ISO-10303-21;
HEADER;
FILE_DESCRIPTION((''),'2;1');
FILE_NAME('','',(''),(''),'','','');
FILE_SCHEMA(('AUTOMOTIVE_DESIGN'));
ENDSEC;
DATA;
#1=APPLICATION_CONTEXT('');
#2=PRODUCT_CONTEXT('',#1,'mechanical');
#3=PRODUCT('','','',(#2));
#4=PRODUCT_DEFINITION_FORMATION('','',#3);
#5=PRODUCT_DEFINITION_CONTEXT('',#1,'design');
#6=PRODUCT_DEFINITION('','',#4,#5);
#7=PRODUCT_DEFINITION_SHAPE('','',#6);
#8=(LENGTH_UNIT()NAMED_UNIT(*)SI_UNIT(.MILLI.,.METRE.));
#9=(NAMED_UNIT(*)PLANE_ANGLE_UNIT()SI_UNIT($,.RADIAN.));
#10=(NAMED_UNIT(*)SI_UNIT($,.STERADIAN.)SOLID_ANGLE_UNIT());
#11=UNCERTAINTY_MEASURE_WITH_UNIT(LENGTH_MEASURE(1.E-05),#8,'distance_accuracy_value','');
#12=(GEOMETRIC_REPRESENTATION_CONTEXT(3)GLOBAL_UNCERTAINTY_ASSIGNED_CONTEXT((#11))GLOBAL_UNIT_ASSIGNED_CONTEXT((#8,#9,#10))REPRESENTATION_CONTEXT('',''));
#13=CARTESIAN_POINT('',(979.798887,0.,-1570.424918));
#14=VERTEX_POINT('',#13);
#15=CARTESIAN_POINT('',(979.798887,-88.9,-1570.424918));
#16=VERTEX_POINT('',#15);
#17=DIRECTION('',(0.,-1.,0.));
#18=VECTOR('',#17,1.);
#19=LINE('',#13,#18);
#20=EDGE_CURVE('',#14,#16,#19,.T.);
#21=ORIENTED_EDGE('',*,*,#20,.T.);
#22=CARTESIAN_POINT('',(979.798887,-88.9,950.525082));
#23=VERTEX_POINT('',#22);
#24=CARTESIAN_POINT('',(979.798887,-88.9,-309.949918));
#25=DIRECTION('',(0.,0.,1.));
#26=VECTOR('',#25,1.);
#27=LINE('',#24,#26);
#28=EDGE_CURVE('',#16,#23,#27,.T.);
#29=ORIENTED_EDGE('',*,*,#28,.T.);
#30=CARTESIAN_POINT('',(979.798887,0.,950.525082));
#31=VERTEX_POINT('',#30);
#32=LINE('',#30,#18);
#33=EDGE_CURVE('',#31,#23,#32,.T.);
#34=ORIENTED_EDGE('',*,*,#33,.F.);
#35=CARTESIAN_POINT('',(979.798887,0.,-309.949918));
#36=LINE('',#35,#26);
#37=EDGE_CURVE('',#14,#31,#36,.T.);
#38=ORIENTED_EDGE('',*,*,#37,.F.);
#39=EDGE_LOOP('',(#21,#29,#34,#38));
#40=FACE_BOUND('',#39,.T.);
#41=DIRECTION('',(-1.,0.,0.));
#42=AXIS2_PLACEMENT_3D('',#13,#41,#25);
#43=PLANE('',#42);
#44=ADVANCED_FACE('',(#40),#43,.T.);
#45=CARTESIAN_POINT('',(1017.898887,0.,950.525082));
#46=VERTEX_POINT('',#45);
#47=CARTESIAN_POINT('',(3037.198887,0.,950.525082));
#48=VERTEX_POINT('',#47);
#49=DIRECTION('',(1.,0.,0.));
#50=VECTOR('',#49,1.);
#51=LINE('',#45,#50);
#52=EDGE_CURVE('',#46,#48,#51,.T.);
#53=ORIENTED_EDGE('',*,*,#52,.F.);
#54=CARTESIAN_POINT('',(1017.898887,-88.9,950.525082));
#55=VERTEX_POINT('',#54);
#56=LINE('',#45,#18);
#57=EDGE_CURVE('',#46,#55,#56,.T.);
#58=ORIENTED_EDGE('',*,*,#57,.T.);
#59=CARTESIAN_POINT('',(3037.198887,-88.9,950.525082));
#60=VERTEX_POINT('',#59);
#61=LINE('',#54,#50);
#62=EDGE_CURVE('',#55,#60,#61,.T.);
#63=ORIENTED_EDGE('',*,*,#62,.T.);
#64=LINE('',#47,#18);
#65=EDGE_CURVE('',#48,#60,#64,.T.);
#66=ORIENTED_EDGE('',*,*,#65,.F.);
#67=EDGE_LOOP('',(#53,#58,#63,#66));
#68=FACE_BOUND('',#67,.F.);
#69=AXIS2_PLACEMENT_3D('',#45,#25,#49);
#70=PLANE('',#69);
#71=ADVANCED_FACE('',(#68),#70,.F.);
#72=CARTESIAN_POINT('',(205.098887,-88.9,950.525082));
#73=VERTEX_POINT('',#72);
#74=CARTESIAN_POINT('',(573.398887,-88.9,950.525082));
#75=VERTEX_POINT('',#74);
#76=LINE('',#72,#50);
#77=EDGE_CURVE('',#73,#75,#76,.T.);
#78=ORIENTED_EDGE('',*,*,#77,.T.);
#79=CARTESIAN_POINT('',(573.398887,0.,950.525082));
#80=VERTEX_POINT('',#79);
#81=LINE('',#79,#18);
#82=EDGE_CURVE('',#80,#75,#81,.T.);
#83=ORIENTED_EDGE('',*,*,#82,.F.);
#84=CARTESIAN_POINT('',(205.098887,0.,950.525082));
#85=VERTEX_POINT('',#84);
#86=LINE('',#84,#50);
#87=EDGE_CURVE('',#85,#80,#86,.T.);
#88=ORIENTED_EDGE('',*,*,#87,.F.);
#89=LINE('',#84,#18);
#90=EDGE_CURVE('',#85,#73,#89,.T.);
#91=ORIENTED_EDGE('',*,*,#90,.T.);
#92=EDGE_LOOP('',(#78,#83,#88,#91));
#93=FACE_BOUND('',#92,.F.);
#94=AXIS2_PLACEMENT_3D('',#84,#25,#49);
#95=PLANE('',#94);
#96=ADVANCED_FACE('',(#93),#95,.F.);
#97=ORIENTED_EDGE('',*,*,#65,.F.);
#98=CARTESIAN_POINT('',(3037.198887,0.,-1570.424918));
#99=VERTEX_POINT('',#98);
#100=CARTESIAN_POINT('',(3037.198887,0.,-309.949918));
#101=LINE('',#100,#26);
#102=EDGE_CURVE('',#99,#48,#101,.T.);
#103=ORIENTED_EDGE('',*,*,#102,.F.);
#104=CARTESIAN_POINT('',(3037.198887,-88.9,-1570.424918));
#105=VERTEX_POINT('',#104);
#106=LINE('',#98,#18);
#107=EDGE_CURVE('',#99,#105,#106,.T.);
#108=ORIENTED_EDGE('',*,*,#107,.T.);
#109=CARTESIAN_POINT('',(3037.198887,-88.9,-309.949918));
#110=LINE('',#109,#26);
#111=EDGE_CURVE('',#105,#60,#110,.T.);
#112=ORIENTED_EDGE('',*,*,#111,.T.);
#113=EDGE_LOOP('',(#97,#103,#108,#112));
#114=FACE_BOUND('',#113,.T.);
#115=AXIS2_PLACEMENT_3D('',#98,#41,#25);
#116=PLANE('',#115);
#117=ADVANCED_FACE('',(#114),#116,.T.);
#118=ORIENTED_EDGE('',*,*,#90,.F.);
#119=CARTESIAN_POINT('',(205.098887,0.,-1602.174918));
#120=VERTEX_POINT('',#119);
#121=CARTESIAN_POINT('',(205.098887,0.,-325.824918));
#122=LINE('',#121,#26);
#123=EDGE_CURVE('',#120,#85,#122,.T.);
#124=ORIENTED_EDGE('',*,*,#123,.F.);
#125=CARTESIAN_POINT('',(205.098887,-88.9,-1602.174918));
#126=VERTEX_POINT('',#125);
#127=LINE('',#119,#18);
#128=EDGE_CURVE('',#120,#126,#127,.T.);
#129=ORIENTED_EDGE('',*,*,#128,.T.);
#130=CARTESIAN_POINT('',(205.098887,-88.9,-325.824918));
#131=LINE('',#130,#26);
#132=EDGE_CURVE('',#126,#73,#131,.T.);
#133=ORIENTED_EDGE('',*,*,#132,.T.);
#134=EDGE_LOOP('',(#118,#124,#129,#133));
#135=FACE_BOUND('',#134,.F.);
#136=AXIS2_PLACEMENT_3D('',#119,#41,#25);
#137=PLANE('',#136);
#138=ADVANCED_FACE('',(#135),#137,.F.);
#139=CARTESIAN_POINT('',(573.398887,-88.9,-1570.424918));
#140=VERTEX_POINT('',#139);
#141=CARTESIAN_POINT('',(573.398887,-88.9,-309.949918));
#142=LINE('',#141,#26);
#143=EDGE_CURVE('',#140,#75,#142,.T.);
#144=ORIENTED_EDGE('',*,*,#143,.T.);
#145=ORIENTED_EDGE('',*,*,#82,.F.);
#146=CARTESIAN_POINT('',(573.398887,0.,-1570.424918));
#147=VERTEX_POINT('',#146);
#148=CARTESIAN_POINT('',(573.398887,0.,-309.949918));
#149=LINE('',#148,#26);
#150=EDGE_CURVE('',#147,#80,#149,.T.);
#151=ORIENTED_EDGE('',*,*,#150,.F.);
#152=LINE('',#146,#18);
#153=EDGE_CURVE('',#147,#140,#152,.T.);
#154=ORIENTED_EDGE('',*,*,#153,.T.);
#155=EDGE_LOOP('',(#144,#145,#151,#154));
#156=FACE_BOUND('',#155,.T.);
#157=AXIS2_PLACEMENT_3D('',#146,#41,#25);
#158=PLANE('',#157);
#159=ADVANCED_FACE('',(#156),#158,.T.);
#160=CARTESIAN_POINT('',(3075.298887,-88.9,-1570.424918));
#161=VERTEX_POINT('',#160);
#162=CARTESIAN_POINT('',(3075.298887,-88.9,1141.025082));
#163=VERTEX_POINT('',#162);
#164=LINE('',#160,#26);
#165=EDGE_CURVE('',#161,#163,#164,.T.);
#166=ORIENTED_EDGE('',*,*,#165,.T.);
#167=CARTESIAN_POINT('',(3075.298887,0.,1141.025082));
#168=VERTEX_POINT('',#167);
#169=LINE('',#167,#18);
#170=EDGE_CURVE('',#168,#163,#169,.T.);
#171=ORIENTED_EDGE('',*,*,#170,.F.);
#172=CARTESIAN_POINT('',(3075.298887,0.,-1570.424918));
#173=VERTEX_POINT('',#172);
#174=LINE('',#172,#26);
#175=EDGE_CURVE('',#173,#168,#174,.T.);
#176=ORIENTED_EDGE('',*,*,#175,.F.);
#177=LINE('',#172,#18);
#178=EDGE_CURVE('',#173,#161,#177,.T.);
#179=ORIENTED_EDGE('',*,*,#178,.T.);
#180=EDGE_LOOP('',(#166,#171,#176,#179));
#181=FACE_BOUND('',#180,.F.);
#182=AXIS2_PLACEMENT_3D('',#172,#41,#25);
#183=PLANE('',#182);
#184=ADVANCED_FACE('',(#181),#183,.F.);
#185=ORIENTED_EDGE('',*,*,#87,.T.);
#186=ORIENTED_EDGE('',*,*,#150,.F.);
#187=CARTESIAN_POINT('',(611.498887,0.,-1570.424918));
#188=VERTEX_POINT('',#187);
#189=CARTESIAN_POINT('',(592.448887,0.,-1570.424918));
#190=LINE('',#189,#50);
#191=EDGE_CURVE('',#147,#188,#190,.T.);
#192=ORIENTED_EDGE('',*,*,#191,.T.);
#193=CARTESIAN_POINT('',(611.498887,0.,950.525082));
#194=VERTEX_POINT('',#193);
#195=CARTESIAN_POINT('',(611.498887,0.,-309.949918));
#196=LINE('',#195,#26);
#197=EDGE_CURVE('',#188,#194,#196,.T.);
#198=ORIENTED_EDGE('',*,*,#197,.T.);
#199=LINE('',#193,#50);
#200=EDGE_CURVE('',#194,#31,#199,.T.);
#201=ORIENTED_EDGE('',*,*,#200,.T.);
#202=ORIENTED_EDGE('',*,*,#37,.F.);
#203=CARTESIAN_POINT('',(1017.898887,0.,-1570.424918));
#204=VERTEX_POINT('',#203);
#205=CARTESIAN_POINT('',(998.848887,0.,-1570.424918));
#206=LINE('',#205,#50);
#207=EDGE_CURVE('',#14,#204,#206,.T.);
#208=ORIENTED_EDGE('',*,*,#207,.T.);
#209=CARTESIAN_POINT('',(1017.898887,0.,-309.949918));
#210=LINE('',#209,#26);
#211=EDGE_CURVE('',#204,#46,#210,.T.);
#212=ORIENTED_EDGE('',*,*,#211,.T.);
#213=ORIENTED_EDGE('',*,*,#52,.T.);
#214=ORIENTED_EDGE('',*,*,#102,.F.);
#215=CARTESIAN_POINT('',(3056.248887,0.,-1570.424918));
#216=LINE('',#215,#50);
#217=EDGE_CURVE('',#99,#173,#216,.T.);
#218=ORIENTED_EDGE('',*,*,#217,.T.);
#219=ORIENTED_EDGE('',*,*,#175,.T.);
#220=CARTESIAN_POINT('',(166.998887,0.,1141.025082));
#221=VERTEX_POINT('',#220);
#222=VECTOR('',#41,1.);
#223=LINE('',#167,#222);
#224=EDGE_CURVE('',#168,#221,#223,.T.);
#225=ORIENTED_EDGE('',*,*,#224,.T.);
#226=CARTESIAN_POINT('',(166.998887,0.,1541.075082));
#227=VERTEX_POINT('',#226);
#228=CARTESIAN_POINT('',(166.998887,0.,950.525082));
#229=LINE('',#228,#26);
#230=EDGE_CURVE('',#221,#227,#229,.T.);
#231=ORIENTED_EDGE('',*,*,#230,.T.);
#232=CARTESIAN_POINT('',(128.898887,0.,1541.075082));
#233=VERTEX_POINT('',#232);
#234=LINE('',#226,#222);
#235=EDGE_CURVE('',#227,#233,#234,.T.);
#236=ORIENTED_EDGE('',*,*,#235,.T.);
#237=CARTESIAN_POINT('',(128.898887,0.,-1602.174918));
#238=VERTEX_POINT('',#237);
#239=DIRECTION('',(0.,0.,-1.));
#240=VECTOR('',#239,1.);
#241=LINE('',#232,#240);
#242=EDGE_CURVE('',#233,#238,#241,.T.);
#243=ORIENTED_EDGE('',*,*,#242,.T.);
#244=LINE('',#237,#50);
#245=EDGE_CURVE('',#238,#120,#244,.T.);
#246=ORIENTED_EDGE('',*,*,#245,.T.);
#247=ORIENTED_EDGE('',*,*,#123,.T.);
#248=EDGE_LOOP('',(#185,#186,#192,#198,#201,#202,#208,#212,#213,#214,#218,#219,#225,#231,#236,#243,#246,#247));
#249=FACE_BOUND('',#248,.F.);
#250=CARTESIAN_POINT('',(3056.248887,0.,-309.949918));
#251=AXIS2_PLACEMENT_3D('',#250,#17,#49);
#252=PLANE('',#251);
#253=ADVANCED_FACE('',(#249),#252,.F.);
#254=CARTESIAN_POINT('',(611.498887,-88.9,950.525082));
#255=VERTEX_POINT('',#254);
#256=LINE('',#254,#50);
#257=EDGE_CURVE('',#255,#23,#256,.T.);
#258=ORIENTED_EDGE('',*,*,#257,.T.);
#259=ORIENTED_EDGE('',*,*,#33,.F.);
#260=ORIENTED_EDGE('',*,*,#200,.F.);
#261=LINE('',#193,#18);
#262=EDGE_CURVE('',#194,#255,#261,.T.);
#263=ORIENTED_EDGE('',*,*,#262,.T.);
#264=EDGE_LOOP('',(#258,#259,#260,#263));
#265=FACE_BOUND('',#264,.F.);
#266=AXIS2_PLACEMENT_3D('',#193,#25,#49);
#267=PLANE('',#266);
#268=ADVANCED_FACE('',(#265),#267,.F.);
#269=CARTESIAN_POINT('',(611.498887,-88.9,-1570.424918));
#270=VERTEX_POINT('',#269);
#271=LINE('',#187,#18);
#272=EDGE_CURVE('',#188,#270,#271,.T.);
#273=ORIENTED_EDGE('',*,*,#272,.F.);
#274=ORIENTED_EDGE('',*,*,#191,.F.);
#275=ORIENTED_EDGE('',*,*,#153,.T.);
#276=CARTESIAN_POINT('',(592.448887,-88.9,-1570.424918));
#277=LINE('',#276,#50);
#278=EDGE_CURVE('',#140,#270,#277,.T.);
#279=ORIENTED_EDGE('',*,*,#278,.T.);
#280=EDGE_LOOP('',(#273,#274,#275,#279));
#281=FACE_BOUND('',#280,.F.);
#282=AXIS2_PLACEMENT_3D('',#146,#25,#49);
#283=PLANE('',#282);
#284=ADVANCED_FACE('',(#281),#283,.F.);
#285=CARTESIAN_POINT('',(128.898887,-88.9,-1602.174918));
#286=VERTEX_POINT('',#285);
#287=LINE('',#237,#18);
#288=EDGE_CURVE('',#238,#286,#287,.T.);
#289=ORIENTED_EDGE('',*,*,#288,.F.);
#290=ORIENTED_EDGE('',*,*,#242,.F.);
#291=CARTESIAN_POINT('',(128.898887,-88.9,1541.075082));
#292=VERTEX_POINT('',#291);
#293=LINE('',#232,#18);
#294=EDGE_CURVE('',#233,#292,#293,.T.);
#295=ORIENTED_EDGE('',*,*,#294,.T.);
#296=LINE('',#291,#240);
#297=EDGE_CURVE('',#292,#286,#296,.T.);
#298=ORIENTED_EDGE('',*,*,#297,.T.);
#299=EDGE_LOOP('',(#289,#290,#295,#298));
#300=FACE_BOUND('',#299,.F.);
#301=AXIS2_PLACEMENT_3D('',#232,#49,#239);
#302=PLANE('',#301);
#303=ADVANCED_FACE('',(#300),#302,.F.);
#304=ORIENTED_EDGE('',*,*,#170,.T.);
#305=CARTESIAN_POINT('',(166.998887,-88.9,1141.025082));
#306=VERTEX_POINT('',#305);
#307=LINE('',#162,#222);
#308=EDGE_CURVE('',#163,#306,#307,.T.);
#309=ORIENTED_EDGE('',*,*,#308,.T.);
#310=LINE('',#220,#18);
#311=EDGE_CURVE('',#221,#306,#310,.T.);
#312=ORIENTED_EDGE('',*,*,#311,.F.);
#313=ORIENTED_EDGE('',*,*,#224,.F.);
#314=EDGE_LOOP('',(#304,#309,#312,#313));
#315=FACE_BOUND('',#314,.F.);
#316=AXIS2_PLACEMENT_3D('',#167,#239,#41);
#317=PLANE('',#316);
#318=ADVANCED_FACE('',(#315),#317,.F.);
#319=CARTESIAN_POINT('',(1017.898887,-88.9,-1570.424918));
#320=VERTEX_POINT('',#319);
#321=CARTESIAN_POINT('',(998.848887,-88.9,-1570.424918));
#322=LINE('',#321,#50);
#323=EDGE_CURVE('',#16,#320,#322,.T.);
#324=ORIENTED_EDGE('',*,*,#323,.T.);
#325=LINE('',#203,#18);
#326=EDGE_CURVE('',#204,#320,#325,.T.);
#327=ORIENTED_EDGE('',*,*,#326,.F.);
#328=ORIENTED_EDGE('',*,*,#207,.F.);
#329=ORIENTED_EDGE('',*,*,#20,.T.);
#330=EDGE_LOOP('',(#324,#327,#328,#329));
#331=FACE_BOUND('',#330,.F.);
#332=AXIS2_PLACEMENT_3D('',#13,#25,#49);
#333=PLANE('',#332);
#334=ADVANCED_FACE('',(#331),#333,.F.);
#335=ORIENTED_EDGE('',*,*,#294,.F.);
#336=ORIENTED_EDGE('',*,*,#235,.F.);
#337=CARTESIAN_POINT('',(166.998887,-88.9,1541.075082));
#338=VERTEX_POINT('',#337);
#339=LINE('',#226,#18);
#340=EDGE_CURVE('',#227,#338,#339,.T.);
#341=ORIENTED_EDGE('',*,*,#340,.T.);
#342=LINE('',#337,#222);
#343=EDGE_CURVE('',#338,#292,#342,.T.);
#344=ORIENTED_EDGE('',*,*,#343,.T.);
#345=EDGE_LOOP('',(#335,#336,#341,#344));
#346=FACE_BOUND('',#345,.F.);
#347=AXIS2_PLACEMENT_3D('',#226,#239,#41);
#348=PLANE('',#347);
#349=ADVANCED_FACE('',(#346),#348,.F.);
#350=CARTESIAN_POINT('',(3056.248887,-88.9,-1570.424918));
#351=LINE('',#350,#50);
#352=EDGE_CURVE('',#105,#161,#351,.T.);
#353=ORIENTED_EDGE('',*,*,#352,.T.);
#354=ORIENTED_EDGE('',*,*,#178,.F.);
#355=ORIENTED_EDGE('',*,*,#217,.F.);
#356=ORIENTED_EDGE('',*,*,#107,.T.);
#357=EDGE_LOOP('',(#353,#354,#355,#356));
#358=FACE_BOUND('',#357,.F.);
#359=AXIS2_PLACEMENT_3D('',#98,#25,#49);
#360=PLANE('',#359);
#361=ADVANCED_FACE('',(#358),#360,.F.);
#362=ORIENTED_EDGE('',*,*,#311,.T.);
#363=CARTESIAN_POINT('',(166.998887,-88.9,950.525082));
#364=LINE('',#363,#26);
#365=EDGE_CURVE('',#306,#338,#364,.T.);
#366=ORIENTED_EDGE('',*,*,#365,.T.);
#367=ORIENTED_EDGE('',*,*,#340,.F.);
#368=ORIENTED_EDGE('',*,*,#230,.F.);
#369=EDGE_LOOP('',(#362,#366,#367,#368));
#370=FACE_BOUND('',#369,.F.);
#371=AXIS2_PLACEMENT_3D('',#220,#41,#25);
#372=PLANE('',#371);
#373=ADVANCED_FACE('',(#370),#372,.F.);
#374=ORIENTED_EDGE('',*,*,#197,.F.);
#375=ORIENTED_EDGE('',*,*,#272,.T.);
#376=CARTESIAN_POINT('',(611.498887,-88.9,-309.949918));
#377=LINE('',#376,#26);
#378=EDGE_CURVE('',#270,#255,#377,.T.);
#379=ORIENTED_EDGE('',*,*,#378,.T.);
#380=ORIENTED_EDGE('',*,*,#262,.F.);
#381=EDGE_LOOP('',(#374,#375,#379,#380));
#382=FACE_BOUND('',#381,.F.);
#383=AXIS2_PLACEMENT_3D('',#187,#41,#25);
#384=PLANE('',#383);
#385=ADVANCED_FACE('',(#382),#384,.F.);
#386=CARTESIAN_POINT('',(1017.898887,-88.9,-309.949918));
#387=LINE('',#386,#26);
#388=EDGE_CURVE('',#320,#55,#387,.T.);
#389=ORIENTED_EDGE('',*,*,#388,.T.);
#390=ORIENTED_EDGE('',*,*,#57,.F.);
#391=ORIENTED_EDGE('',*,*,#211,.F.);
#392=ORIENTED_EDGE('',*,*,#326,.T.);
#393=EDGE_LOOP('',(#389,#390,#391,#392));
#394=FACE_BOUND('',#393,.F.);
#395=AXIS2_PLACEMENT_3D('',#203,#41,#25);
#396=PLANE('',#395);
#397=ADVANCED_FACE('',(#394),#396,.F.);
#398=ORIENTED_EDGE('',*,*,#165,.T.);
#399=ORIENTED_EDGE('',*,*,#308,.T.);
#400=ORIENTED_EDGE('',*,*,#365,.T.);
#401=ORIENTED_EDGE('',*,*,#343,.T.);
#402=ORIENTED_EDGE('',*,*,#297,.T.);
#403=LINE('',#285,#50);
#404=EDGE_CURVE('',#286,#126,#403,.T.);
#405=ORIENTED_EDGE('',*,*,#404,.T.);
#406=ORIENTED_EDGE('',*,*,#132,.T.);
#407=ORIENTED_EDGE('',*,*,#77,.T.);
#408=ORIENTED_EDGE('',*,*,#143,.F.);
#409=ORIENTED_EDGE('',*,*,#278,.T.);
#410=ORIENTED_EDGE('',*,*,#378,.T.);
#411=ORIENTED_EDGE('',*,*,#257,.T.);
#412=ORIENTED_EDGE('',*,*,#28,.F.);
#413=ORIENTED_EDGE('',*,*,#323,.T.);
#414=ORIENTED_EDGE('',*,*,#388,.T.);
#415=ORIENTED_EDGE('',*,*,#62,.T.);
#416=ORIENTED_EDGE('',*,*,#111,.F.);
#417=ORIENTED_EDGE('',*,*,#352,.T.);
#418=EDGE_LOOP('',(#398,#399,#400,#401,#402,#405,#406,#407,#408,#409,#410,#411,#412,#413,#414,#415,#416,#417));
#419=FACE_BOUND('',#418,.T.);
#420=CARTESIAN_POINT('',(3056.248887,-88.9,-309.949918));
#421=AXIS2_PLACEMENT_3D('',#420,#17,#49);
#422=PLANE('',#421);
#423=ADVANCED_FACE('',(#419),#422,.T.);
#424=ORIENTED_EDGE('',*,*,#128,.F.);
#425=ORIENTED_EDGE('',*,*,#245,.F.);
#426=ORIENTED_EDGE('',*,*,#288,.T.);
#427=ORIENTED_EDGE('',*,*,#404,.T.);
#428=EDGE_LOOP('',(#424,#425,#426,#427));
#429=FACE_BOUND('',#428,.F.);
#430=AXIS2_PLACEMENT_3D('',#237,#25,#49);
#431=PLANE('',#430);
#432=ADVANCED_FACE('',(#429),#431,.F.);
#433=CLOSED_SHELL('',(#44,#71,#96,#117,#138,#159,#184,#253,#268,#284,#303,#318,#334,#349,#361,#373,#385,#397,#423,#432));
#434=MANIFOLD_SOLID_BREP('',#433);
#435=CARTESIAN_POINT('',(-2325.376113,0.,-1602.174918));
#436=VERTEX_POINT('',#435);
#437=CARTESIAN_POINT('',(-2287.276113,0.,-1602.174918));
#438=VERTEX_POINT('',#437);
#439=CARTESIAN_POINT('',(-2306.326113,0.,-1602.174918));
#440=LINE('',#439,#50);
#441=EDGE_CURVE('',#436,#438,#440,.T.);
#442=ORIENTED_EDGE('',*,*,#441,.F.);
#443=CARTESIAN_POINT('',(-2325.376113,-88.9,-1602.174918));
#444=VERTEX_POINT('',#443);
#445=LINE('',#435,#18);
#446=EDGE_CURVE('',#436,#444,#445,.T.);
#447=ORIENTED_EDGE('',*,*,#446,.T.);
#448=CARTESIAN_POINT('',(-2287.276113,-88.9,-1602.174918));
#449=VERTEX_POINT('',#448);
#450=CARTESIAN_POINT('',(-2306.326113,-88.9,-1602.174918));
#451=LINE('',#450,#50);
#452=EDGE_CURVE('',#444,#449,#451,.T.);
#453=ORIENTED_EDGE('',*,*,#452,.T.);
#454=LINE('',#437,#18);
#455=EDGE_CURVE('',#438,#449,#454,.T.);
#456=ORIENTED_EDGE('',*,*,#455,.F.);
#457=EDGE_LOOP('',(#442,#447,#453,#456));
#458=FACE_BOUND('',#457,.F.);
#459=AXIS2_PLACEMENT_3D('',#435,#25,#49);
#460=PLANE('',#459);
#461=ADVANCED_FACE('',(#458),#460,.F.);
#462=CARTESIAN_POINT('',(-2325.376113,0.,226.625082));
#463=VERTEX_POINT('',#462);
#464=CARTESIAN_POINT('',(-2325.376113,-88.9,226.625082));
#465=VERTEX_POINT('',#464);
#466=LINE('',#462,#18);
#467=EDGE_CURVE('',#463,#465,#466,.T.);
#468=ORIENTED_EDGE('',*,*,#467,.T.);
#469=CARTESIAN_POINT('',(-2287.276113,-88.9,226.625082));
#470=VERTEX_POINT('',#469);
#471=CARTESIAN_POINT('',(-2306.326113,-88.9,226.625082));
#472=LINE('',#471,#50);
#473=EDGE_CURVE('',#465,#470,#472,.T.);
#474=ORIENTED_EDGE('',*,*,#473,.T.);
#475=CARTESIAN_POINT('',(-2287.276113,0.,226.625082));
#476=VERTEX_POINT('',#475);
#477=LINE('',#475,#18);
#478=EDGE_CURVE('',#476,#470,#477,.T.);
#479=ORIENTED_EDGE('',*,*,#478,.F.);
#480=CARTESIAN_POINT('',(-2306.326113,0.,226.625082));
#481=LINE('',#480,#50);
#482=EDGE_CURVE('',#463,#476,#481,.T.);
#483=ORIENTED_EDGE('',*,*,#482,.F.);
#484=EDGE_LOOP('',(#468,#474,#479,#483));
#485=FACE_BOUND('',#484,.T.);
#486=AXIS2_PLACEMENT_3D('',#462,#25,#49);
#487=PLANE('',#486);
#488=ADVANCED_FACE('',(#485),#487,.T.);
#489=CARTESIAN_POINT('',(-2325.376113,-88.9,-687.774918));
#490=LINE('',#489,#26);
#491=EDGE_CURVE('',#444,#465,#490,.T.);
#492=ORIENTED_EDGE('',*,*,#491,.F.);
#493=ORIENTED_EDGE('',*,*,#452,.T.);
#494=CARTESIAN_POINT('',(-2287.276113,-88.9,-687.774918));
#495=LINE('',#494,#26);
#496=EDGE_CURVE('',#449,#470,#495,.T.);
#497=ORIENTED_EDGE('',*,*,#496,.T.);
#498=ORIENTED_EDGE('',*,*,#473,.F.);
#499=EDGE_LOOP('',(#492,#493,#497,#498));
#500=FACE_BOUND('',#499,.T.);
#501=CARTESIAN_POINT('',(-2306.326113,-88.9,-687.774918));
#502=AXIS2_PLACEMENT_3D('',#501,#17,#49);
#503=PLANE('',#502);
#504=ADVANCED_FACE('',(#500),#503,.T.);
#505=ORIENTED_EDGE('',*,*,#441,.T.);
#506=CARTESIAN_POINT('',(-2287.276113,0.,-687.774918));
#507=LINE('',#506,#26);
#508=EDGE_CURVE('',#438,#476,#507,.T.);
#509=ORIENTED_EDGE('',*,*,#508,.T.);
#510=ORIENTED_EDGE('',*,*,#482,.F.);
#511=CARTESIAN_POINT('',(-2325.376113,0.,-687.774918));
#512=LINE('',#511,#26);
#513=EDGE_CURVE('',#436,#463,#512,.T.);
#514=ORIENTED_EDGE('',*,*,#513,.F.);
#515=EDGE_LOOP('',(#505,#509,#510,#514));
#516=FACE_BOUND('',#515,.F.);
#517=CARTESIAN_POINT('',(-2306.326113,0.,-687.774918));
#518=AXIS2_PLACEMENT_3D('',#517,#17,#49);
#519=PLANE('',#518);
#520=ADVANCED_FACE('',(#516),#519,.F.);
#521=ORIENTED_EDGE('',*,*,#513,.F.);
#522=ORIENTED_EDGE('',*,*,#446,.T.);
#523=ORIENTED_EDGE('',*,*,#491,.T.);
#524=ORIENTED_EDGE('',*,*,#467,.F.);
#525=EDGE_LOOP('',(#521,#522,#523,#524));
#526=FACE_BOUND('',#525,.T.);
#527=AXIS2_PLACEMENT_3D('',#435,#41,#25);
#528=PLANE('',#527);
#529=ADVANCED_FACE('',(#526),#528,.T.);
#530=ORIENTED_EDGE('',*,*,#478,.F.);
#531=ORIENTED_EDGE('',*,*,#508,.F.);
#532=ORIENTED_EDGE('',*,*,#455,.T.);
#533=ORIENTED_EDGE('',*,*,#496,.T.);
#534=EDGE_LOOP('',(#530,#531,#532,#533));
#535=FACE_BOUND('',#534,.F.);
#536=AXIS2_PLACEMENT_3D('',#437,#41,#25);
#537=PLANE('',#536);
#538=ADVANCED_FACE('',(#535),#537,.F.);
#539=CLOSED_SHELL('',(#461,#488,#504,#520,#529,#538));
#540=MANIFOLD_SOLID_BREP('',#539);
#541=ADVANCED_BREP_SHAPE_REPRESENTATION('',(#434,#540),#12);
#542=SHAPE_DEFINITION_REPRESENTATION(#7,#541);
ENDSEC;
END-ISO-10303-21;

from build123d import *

# Parameters (mm, degrees)
F0_W     = 38.1
F0_H     = 1828.8
F0_H_2   = 2520.95
F0_H_3   = 2552.7
F1_DEPTH = 88.9


with BuildPart() as f1:
    # F0 (on Front) → F1 (new body)
    with BuildSketch(Plane.XZ):
        with Locations((-2306.326113, -687.774918)):
            Rectangle(F0_W, F0_H)
        with Locations((3056.248887, -309.949918)):
            Rectangle(F0_W, F0_H_2)
        with Locations((998.848887, -309.949918)):
            Rectangle(F0_W, F0_H_2)
        with Locations((592.448887, -309.949918)):
            Rectangle(F0_W, F0_H_2)
        with Locations((186.048887, -325.824918)):
            Rectangle(F0_W, F0_H_3)
        Polygon((166.998887, 950.525082), (166.998887, 1141.025082), (166.998887, 1541.075082), (128.898887, 1541.075082), (128.898887, -1602.174918), (166.998887, -1602.174918), align=None)
        Polygon((3037.198887, 950.525082), (3075.298887, 950.525082), (3075.298887, 1141.025082), (166.998887, 1141.025082), (166.998887, 950.525082), (205.098887, 950.525082), (573.398887, 950.525082), (611.498887, 950.525082), (979.798887, 950.525082), (1017.898887, 950.525082), align=None)
    extrude(amount=F1_DEPTH)


solid = f1.part
